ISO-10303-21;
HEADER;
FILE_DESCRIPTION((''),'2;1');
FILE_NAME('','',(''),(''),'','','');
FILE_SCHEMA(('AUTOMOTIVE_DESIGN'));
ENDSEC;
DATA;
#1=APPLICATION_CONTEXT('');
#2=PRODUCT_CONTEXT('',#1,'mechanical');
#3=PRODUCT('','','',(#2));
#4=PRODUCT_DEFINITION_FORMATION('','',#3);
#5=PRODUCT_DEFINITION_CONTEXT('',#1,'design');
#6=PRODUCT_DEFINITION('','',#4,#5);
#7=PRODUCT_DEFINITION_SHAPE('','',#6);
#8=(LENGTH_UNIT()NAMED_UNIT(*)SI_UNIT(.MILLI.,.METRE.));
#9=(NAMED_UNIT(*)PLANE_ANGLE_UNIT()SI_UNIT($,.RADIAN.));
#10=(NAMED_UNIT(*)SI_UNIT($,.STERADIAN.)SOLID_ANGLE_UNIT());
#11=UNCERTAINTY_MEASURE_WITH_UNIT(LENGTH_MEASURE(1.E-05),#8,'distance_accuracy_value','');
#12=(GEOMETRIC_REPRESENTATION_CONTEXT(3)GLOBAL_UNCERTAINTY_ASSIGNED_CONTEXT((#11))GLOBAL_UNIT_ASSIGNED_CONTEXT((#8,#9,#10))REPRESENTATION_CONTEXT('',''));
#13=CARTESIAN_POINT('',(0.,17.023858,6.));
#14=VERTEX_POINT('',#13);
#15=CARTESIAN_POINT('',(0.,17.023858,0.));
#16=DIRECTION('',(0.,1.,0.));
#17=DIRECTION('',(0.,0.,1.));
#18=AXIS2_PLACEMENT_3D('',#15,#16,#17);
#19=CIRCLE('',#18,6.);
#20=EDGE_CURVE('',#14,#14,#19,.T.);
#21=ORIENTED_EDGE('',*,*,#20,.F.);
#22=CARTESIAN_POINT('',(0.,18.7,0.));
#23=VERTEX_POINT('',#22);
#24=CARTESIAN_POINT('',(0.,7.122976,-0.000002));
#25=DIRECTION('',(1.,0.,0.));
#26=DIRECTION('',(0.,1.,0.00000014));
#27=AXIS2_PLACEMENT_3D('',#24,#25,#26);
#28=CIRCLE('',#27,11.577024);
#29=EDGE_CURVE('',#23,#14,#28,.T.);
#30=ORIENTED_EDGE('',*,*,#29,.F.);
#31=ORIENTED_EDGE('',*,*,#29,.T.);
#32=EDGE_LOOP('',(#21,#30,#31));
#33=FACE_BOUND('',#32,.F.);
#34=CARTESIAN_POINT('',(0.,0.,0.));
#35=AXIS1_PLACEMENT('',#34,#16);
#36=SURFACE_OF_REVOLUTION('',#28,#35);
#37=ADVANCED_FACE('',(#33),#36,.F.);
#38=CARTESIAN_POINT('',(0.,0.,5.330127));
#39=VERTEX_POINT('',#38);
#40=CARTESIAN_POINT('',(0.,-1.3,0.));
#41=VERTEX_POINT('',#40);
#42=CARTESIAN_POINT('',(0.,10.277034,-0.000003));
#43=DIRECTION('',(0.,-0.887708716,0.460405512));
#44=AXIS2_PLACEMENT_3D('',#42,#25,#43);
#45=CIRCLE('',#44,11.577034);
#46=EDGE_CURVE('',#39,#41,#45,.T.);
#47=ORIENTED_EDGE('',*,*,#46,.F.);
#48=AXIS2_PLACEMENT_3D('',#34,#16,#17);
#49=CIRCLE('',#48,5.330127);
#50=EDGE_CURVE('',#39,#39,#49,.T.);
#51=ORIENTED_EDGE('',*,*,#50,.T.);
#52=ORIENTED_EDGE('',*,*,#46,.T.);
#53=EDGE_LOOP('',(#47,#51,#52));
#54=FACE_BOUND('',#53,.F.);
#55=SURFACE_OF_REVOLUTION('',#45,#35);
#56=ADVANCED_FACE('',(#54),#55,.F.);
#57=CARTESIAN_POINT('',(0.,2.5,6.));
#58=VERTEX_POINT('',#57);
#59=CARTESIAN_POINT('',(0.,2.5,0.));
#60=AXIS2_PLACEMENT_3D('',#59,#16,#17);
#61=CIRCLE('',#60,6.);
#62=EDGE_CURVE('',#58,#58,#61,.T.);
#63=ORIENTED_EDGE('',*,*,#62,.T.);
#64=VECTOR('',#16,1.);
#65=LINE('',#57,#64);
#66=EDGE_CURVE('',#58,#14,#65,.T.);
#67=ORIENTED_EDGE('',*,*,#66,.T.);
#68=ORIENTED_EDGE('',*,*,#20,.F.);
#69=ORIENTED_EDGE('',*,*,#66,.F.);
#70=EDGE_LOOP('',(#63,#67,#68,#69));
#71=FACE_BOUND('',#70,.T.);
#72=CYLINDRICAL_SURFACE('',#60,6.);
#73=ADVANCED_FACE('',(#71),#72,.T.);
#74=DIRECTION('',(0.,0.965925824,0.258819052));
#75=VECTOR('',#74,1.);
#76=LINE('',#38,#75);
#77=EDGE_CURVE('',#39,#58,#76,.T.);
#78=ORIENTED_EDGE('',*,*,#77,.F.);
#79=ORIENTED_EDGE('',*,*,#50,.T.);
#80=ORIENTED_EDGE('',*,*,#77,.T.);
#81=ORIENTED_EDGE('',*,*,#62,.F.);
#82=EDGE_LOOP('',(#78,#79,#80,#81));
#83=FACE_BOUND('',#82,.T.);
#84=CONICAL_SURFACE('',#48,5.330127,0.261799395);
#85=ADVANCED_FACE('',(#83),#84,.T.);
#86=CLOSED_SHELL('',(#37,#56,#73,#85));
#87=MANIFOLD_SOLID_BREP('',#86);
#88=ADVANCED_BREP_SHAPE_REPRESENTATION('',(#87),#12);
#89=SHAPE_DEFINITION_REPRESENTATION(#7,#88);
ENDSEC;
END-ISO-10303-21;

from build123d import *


with BuildPart() as part:
    # Sketch → Revolution (revolve)
    with BuildSketch(Plane.YZ):
        with BuildLine():
            ThreePointArc((0, 5.330127), (-0.970305, 2.743185), (-1.3, 0))
            Line((-1.3, 0), (18.7, 0))
            ThreePointArc((18.7, 0), (18.273093, 3.114862), (17.023858, 6))
            Line((2.5, 6), (17.023858, 6))
            Line((0, 5.330127), (2.5, 6))
        make_face()
    revolve(axis=Axis((0, 0, 0), (0, 1, 0)))


solid = part.part
